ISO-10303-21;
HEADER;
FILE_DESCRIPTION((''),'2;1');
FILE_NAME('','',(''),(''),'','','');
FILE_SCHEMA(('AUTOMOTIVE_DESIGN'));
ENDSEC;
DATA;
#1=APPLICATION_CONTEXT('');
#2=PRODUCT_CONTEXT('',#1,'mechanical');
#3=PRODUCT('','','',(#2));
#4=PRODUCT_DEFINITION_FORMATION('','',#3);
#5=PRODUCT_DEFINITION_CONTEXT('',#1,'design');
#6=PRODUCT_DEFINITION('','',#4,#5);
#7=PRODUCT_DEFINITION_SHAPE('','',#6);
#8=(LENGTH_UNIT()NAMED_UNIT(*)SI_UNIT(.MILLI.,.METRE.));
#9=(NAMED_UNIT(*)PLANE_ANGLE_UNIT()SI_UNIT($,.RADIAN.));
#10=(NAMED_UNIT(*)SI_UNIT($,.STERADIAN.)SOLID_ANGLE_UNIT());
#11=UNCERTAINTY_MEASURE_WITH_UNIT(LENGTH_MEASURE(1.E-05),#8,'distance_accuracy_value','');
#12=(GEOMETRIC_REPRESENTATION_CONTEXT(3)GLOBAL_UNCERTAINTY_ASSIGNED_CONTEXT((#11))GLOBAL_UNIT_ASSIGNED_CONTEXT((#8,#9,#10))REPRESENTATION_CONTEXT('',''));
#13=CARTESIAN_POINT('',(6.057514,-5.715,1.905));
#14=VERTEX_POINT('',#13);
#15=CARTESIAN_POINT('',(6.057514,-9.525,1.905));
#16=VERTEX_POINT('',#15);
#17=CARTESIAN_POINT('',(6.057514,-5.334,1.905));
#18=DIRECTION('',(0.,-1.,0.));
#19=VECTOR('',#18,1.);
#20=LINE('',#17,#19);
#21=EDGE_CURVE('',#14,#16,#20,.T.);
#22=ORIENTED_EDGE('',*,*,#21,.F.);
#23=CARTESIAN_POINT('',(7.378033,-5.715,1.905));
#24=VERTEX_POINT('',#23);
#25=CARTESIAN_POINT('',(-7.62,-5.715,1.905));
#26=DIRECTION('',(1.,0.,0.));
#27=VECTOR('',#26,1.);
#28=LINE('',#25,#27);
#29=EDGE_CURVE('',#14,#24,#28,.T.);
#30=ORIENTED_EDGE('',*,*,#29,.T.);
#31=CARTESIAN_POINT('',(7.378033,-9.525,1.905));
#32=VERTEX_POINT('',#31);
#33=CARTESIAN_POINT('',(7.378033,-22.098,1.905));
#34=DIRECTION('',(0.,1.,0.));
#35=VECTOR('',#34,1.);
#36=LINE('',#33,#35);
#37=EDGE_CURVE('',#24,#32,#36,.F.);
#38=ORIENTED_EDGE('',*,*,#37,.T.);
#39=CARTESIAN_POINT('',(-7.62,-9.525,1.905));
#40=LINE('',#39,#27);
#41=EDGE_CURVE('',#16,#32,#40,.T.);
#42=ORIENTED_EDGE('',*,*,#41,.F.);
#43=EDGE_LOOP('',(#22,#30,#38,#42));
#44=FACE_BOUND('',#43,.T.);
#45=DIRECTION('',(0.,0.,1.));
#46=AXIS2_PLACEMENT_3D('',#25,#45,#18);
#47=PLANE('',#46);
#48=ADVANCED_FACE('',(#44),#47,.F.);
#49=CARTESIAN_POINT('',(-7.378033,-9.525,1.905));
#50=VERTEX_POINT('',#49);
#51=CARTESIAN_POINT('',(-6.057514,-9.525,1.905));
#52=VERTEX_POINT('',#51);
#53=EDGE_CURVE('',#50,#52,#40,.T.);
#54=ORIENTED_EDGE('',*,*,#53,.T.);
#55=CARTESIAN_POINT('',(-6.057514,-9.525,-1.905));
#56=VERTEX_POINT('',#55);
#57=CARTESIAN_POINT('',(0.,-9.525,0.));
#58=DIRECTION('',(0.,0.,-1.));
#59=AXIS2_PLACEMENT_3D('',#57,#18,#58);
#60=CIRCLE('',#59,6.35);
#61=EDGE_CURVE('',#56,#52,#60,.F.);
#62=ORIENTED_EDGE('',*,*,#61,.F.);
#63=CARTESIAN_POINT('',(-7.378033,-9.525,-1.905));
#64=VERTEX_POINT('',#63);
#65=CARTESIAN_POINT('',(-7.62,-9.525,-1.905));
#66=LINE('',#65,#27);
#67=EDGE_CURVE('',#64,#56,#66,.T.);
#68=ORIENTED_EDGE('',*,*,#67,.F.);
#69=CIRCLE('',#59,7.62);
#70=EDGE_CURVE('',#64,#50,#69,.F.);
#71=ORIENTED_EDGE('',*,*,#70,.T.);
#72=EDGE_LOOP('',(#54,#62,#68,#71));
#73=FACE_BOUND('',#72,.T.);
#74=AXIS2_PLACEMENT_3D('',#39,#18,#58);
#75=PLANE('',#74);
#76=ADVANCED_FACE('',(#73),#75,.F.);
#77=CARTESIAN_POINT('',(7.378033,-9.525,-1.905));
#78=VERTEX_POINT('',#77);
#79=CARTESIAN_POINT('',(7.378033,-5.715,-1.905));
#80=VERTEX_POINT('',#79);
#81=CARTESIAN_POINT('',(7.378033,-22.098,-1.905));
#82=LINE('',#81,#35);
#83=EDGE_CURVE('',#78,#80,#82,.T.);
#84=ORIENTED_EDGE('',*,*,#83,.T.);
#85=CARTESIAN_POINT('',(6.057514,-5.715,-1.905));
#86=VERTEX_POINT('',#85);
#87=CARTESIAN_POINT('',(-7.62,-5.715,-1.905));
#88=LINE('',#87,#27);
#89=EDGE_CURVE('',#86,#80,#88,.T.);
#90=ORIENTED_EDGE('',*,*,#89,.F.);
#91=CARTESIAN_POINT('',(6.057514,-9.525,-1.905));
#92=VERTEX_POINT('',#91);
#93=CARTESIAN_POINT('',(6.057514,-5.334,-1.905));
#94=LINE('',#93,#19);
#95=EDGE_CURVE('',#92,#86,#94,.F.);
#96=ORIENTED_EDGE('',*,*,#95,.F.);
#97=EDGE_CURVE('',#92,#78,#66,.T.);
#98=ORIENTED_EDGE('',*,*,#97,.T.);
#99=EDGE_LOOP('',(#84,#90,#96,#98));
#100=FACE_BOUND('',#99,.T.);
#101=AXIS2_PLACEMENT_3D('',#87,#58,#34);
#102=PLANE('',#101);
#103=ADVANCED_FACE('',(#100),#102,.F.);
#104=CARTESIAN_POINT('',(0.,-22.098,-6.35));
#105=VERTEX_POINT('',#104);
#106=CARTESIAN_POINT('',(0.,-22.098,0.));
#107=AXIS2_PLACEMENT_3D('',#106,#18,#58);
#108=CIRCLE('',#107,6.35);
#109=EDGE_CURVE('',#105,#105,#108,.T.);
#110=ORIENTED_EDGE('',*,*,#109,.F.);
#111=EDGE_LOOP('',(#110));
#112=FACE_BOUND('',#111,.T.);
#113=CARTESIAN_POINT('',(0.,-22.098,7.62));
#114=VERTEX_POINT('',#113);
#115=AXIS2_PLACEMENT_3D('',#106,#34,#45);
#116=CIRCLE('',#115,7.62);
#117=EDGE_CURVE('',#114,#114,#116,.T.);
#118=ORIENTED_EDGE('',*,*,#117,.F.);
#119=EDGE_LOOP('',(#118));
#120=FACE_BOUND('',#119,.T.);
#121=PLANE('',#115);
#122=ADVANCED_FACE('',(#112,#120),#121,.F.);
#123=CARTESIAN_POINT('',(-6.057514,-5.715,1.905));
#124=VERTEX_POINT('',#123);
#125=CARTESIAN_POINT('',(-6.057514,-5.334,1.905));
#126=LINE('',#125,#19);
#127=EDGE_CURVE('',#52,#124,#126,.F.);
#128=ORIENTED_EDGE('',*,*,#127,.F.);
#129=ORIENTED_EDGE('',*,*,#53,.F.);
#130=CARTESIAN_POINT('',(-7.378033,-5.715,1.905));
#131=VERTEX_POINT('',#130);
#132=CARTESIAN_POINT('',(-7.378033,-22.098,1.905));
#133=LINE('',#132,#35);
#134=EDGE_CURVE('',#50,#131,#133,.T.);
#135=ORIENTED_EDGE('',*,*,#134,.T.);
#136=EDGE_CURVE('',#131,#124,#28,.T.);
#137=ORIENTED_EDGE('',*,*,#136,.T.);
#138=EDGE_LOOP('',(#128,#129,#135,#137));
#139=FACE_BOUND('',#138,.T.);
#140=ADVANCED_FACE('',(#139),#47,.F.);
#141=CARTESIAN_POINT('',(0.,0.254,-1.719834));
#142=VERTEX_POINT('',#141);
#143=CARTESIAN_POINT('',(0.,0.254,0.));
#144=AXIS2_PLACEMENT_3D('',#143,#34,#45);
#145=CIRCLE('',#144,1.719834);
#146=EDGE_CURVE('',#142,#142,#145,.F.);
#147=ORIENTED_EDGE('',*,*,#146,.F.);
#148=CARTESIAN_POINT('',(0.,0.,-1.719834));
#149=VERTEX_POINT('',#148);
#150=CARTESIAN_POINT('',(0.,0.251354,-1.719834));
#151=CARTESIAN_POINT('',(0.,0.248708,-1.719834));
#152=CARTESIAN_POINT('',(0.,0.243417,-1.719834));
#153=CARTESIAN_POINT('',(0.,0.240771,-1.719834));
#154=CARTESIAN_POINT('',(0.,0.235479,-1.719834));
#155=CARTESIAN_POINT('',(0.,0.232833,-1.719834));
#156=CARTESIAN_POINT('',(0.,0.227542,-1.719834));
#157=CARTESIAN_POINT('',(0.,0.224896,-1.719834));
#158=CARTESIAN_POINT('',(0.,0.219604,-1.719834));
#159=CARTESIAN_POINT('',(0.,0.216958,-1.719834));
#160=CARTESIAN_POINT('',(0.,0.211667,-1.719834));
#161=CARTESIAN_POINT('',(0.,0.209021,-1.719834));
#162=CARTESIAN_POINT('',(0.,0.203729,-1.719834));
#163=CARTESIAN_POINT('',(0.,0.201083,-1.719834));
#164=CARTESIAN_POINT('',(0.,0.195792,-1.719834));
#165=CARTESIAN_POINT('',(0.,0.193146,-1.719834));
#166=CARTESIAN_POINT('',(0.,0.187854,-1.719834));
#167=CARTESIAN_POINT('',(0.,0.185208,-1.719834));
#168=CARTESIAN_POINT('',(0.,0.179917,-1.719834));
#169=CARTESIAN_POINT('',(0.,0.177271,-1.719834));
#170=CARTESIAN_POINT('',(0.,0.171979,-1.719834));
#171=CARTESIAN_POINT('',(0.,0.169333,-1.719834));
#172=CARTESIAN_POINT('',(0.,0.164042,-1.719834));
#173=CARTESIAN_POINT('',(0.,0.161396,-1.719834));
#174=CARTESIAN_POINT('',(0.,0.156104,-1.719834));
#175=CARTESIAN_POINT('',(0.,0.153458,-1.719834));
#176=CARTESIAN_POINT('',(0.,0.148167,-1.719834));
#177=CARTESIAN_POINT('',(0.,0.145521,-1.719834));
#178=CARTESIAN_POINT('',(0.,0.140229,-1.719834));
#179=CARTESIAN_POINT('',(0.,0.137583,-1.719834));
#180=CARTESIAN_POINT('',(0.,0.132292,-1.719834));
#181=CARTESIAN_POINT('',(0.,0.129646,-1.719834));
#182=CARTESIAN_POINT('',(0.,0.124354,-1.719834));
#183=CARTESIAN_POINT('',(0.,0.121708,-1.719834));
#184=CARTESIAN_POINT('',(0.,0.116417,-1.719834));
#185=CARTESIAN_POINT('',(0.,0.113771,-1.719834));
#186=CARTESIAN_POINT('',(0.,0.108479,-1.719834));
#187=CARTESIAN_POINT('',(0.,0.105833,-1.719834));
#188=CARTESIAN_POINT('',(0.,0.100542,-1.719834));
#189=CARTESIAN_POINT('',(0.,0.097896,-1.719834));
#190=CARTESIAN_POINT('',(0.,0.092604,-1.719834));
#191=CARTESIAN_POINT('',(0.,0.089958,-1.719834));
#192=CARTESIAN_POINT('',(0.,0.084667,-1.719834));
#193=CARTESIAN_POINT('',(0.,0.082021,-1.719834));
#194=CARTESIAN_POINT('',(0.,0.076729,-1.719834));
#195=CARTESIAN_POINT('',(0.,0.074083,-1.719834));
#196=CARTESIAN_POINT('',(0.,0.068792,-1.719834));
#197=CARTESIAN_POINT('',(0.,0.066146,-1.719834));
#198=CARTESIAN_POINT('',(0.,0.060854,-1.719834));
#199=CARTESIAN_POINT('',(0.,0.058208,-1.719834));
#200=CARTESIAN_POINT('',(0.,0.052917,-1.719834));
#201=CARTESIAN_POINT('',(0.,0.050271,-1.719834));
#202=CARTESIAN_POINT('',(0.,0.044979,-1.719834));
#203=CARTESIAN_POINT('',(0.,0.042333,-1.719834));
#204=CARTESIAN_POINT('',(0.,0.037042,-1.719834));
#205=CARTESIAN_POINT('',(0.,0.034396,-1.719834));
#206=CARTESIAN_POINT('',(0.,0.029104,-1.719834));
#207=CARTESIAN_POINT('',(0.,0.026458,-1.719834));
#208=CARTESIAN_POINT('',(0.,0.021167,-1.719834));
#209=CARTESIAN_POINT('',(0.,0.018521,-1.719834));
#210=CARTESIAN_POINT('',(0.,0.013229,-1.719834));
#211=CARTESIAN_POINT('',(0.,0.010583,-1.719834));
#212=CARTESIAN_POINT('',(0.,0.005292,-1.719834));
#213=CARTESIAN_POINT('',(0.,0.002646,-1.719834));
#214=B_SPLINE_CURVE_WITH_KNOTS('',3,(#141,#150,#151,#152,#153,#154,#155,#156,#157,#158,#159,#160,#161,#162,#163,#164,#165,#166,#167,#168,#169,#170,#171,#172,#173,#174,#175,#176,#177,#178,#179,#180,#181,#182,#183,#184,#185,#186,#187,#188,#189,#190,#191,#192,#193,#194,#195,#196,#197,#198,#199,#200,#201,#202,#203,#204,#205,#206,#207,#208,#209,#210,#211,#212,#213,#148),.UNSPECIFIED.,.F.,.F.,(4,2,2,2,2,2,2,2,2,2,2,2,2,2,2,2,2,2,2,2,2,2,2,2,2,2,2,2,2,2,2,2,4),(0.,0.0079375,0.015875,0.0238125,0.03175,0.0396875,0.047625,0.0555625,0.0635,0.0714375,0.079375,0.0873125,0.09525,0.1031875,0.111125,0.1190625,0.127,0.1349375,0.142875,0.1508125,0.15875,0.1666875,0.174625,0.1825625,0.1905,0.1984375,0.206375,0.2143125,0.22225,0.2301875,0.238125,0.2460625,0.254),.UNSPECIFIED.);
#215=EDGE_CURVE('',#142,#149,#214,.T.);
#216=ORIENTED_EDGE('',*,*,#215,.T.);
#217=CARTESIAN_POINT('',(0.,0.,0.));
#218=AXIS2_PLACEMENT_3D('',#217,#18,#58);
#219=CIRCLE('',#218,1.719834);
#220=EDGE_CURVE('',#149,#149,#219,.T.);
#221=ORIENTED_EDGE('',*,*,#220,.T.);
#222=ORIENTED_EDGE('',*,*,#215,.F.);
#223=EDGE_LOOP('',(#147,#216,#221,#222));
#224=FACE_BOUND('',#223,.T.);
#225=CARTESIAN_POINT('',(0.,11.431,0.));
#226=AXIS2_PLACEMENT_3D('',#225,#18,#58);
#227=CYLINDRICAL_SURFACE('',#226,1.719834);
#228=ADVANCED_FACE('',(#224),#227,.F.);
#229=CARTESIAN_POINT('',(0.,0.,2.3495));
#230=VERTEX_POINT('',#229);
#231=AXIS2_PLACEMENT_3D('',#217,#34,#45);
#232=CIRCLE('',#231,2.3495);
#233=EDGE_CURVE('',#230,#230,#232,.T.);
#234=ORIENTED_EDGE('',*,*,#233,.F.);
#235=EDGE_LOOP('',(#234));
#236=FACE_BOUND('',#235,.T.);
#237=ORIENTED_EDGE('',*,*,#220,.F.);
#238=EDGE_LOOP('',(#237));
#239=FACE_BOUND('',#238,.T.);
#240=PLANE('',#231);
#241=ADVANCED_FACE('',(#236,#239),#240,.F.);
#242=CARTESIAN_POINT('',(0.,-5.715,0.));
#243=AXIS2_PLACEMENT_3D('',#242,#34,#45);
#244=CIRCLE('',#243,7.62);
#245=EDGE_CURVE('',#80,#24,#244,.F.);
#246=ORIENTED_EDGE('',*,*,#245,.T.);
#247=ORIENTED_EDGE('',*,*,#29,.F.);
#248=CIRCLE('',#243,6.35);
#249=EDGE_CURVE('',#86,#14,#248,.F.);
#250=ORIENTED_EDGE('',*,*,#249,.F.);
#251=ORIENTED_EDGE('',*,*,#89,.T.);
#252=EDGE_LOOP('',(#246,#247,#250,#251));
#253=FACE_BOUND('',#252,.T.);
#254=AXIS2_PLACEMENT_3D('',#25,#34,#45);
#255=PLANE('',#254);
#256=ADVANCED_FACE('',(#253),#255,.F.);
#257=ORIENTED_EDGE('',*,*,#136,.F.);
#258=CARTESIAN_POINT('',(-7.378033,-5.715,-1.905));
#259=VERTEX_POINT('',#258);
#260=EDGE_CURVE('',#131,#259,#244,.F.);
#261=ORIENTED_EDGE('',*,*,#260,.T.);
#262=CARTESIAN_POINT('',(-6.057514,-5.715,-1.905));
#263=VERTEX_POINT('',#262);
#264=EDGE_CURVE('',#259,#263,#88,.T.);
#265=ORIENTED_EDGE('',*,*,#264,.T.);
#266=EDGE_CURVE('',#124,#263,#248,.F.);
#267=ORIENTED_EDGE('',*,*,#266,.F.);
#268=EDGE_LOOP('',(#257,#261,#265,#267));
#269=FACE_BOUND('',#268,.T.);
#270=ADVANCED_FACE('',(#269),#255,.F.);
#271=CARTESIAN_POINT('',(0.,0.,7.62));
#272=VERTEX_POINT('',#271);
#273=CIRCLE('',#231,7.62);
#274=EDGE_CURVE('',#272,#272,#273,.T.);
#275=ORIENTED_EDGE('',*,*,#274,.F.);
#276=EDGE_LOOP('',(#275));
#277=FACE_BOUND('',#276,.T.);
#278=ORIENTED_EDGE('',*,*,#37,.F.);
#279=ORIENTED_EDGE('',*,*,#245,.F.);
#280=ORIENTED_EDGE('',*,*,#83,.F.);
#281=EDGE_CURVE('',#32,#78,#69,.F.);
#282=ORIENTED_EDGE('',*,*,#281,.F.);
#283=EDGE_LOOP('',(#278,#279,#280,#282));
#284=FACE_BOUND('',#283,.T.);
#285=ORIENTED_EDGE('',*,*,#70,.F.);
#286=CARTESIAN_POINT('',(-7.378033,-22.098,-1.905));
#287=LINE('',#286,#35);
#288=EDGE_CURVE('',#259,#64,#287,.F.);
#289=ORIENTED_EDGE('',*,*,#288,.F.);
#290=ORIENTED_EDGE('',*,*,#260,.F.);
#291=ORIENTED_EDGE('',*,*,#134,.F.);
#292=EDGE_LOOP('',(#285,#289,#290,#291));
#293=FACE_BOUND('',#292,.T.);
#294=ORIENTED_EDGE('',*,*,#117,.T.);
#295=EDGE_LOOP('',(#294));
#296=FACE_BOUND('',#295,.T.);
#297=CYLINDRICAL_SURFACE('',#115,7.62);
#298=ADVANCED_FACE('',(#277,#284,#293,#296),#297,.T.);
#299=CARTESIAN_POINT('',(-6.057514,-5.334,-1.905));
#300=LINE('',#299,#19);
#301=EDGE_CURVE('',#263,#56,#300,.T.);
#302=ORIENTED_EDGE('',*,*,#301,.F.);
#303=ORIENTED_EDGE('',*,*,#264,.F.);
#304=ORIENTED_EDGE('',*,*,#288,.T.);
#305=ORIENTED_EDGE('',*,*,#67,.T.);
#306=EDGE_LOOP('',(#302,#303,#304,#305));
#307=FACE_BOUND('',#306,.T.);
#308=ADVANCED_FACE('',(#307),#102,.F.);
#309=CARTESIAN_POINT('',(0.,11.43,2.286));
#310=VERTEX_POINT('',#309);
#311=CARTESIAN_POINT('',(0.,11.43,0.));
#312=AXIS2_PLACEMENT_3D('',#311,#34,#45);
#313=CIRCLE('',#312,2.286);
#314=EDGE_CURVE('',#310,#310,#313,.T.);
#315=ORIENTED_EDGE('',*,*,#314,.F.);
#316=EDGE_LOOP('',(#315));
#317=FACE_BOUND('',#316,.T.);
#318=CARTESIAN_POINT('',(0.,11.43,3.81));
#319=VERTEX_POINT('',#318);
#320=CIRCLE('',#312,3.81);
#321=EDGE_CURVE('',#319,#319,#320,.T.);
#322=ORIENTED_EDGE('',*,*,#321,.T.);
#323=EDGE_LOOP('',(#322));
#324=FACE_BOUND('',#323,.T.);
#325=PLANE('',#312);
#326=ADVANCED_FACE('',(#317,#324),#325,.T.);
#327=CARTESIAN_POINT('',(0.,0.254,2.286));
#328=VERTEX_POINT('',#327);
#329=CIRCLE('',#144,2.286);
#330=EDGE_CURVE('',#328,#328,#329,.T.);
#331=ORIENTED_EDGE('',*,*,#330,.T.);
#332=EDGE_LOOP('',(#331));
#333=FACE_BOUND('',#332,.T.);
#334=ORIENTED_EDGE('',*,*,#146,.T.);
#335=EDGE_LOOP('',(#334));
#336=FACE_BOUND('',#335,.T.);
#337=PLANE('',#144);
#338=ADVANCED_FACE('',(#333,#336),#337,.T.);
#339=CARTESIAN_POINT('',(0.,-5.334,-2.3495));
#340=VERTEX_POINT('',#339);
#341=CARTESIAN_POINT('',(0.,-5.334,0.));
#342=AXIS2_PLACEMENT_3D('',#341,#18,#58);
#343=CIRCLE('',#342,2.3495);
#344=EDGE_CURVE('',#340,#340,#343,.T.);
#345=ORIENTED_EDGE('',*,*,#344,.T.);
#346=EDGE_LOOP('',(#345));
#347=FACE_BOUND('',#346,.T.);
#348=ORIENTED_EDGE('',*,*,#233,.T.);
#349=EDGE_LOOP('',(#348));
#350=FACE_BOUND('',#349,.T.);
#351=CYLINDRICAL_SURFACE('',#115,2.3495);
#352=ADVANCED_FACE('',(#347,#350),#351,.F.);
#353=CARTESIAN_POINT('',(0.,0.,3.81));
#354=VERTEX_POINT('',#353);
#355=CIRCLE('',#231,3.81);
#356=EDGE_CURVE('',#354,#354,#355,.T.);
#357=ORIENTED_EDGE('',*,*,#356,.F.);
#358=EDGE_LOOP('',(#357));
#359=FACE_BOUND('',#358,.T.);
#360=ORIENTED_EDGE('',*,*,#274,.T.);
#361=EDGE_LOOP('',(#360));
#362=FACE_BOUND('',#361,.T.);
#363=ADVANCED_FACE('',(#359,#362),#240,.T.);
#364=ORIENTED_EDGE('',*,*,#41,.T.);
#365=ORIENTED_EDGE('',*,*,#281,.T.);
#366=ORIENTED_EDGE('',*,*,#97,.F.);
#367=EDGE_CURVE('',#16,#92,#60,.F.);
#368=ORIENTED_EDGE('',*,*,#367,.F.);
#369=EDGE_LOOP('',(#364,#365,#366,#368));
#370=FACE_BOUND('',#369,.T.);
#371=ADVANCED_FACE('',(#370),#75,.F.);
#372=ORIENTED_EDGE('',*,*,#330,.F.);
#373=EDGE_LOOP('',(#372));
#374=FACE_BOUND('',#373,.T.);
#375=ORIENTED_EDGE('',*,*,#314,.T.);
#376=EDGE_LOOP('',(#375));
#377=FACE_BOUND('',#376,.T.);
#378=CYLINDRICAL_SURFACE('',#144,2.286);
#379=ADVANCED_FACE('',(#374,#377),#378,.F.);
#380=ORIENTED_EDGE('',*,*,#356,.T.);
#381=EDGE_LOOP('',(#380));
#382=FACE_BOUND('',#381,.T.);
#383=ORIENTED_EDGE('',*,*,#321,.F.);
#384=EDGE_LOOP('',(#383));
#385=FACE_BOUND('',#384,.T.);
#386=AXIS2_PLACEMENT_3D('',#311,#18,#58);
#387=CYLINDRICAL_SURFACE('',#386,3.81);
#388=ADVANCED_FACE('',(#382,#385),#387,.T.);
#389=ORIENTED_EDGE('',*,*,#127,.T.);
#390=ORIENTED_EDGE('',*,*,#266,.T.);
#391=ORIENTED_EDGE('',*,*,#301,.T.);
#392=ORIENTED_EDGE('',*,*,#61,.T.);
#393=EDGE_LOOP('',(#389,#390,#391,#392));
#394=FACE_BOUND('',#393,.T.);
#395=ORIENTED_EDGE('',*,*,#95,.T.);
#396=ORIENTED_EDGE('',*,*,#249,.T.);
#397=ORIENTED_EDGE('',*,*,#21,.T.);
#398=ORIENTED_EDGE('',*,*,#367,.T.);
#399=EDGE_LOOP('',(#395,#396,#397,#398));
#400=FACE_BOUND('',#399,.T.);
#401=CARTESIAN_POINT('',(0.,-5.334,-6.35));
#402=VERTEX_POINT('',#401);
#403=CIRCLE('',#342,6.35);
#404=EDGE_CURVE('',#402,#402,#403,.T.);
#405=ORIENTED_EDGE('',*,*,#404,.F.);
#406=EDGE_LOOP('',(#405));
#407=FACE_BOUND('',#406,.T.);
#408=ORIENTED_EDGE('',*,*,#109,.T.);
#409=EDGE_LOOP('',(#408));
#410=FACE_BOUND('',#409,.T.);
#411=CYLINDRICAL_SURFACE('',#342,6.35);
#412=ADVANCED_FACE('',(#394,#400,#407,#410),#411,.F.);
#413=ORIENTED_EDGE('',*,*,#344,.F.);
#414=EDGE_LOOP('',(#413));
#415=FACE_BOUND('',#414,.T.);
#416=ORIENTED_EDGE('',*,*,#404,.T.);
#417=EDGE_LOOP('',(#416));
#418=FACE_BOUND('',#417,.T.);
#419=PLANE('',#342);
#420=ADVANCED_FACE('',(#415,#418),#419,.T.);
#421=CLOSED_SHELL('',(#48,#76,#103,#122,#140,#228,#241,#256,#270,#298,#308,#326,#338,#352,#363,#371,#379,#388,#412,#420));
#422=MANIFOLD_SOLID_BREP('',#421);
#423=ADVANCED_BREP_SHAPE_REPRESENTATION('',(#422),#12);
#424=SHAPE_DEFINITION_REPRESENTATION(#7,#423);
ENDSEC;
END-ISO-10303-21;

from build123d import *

# Parameters (mm, degrees)
SKETCH2_R                = 7.62
BOSS_EXTRUDE1_DEPTH      = 22.098
SKETCH3_R                = 6.35
CUT_EXTRUDE1_DEPTH       = 16.764
CUT_EXTRUDE3_DEPTH       = 16.764
CUT_EXTRUDE3_DEPTH_BACK  = 25.585573087
SKETCH5_R                = 2.3495
SKETCH6_R                = 3.81
BOSS_EXTRUDE2_DEPTH      = 11.43
SKETCH8_R                = 2.286
CUT_EXTRUDE4_DEPTH       = 11.176
CUT_EXTRUDE8_REACH       = 26.586
SKETCH10_R               = 1.719833609
CUT_EXTRUDE10_DEPTH      = 25.585573087
CUT_EXTRUDE10_DEPTH_BACK = 25.585573087
SKETCH12_W               = 3.81
SKETCH12_H               = 3.81


with BuildPart() as part:
    # Sketch2 → Boss-Extrude1 (new body)
    with BuildSketch(Plane(origin=(0, 0, 0), x_dir=(1, 0, 0), z_dir=(0, 1, 0))):
        with Locations(Location((0, 0, 0), (0, 0, 270))):
            Circle(SKETCH2_R)
    extrude(amount=-BOSS_EXTRUDE1_DEPTH)

    # Sketch3 → Cut-Extrude1 (cut)
    with BuildSketch(Plane.XZ.offset(22.098)):
        with Locations(Location((0, 0, 0), (0, 0, 270))):
            Circle(SKETCH3_R)
    extrude(amount=-CUT_EXTRUDE1_DEPTH, mode=Mode.SUBTRACT)

    # Sketch5 → Cut-Extrude3 (cut, two sides: drawn at the far end of the back side and taken through both)
    with BuildSketch(Plane(origin=(0, 0, 0), x_dir=(1, 0, 0), z_dir=(0, 1, 0)).offset(-CUT_EXTRUDE3_DEPTH_BACK)):
        with Locations(Location((0, 0, 0), (0, 0, 270))):
            Circle(SKETCH5_R)
    extrude(amount=CUT_EXTRUDE3_DEPTH + CUT_EXTRUDE3_DEPTH_BACK, mode=Mode.SUBTRACT)

    # Sketch6 → Boss-Extrude2 (add)
    with BuildSketch(Plane(origin=(0, 0, 0), x_dir=(1, 0, 0), z_dir=(0, 1, 0))):
        with Locations(Location((0, 0, 0), (0, 0, 270))):
            Circle(SKETCH6_R)
    extrude(amount=BOSS_EXTRUDE2_DEPTH)

    # Sketch8 → Cut-Extrude4 (cut)
    with BuildSketch(Plane(origin=(0, 11.43, 0), x_dir=(1, 0, 0), z_dir=(0, 1, 0))):
        with Locations(Location((0, 0, 0), (0, 0, 270))):
            Circle(SKETCH8_R)
    extrude(amount=-CUT_EXTRUDE4_DEPTH, mode=Mode.SUBTRACT)

    # Sketch10 → Cut-Extrude8 (cut, up to next)
    with BuildSketch(Plane.XZ, mode=Mode.PRIVATE) as cut_extrude8_sk1:
        with Locations(Location((0, 0, 0), (0, 0, 270))):
            Circle(SKETCH10_R)
    cut_extrude8_tool1 = extrude(cut_extrude8_sk1.sketch, amount=-CUT_EXTRUDE8_REACH, mode=Mode.PRIVATE) & part.part
    add(cut_extrude8_tool1.solids().sort_by_distance((0, 0, 0))[0], mode=Mode.SUBTRACT)

    # Sketch12 → Cut-Extrude10 (cut, two sides: drawn at the far end of the back side and taken through both)
    with BuildSketch(Plane(origin=(0, 0, 0), x_dir=(0, 0, -1), z_dir=(1, 0, 0)).offset(-CUT_EXTRUDE10_DEPTH_BACK)):
        with Locations((0, -7.62)):
            Rectangle(SKETCH12_W, SKETCH12_H)
    extrude(amount=CUT_EXTRUDE10_DEPTH + CUT_EXTRUDE10_DEPTH_BACK, mode=Mode.SUBTRACT)


solid = part.part
